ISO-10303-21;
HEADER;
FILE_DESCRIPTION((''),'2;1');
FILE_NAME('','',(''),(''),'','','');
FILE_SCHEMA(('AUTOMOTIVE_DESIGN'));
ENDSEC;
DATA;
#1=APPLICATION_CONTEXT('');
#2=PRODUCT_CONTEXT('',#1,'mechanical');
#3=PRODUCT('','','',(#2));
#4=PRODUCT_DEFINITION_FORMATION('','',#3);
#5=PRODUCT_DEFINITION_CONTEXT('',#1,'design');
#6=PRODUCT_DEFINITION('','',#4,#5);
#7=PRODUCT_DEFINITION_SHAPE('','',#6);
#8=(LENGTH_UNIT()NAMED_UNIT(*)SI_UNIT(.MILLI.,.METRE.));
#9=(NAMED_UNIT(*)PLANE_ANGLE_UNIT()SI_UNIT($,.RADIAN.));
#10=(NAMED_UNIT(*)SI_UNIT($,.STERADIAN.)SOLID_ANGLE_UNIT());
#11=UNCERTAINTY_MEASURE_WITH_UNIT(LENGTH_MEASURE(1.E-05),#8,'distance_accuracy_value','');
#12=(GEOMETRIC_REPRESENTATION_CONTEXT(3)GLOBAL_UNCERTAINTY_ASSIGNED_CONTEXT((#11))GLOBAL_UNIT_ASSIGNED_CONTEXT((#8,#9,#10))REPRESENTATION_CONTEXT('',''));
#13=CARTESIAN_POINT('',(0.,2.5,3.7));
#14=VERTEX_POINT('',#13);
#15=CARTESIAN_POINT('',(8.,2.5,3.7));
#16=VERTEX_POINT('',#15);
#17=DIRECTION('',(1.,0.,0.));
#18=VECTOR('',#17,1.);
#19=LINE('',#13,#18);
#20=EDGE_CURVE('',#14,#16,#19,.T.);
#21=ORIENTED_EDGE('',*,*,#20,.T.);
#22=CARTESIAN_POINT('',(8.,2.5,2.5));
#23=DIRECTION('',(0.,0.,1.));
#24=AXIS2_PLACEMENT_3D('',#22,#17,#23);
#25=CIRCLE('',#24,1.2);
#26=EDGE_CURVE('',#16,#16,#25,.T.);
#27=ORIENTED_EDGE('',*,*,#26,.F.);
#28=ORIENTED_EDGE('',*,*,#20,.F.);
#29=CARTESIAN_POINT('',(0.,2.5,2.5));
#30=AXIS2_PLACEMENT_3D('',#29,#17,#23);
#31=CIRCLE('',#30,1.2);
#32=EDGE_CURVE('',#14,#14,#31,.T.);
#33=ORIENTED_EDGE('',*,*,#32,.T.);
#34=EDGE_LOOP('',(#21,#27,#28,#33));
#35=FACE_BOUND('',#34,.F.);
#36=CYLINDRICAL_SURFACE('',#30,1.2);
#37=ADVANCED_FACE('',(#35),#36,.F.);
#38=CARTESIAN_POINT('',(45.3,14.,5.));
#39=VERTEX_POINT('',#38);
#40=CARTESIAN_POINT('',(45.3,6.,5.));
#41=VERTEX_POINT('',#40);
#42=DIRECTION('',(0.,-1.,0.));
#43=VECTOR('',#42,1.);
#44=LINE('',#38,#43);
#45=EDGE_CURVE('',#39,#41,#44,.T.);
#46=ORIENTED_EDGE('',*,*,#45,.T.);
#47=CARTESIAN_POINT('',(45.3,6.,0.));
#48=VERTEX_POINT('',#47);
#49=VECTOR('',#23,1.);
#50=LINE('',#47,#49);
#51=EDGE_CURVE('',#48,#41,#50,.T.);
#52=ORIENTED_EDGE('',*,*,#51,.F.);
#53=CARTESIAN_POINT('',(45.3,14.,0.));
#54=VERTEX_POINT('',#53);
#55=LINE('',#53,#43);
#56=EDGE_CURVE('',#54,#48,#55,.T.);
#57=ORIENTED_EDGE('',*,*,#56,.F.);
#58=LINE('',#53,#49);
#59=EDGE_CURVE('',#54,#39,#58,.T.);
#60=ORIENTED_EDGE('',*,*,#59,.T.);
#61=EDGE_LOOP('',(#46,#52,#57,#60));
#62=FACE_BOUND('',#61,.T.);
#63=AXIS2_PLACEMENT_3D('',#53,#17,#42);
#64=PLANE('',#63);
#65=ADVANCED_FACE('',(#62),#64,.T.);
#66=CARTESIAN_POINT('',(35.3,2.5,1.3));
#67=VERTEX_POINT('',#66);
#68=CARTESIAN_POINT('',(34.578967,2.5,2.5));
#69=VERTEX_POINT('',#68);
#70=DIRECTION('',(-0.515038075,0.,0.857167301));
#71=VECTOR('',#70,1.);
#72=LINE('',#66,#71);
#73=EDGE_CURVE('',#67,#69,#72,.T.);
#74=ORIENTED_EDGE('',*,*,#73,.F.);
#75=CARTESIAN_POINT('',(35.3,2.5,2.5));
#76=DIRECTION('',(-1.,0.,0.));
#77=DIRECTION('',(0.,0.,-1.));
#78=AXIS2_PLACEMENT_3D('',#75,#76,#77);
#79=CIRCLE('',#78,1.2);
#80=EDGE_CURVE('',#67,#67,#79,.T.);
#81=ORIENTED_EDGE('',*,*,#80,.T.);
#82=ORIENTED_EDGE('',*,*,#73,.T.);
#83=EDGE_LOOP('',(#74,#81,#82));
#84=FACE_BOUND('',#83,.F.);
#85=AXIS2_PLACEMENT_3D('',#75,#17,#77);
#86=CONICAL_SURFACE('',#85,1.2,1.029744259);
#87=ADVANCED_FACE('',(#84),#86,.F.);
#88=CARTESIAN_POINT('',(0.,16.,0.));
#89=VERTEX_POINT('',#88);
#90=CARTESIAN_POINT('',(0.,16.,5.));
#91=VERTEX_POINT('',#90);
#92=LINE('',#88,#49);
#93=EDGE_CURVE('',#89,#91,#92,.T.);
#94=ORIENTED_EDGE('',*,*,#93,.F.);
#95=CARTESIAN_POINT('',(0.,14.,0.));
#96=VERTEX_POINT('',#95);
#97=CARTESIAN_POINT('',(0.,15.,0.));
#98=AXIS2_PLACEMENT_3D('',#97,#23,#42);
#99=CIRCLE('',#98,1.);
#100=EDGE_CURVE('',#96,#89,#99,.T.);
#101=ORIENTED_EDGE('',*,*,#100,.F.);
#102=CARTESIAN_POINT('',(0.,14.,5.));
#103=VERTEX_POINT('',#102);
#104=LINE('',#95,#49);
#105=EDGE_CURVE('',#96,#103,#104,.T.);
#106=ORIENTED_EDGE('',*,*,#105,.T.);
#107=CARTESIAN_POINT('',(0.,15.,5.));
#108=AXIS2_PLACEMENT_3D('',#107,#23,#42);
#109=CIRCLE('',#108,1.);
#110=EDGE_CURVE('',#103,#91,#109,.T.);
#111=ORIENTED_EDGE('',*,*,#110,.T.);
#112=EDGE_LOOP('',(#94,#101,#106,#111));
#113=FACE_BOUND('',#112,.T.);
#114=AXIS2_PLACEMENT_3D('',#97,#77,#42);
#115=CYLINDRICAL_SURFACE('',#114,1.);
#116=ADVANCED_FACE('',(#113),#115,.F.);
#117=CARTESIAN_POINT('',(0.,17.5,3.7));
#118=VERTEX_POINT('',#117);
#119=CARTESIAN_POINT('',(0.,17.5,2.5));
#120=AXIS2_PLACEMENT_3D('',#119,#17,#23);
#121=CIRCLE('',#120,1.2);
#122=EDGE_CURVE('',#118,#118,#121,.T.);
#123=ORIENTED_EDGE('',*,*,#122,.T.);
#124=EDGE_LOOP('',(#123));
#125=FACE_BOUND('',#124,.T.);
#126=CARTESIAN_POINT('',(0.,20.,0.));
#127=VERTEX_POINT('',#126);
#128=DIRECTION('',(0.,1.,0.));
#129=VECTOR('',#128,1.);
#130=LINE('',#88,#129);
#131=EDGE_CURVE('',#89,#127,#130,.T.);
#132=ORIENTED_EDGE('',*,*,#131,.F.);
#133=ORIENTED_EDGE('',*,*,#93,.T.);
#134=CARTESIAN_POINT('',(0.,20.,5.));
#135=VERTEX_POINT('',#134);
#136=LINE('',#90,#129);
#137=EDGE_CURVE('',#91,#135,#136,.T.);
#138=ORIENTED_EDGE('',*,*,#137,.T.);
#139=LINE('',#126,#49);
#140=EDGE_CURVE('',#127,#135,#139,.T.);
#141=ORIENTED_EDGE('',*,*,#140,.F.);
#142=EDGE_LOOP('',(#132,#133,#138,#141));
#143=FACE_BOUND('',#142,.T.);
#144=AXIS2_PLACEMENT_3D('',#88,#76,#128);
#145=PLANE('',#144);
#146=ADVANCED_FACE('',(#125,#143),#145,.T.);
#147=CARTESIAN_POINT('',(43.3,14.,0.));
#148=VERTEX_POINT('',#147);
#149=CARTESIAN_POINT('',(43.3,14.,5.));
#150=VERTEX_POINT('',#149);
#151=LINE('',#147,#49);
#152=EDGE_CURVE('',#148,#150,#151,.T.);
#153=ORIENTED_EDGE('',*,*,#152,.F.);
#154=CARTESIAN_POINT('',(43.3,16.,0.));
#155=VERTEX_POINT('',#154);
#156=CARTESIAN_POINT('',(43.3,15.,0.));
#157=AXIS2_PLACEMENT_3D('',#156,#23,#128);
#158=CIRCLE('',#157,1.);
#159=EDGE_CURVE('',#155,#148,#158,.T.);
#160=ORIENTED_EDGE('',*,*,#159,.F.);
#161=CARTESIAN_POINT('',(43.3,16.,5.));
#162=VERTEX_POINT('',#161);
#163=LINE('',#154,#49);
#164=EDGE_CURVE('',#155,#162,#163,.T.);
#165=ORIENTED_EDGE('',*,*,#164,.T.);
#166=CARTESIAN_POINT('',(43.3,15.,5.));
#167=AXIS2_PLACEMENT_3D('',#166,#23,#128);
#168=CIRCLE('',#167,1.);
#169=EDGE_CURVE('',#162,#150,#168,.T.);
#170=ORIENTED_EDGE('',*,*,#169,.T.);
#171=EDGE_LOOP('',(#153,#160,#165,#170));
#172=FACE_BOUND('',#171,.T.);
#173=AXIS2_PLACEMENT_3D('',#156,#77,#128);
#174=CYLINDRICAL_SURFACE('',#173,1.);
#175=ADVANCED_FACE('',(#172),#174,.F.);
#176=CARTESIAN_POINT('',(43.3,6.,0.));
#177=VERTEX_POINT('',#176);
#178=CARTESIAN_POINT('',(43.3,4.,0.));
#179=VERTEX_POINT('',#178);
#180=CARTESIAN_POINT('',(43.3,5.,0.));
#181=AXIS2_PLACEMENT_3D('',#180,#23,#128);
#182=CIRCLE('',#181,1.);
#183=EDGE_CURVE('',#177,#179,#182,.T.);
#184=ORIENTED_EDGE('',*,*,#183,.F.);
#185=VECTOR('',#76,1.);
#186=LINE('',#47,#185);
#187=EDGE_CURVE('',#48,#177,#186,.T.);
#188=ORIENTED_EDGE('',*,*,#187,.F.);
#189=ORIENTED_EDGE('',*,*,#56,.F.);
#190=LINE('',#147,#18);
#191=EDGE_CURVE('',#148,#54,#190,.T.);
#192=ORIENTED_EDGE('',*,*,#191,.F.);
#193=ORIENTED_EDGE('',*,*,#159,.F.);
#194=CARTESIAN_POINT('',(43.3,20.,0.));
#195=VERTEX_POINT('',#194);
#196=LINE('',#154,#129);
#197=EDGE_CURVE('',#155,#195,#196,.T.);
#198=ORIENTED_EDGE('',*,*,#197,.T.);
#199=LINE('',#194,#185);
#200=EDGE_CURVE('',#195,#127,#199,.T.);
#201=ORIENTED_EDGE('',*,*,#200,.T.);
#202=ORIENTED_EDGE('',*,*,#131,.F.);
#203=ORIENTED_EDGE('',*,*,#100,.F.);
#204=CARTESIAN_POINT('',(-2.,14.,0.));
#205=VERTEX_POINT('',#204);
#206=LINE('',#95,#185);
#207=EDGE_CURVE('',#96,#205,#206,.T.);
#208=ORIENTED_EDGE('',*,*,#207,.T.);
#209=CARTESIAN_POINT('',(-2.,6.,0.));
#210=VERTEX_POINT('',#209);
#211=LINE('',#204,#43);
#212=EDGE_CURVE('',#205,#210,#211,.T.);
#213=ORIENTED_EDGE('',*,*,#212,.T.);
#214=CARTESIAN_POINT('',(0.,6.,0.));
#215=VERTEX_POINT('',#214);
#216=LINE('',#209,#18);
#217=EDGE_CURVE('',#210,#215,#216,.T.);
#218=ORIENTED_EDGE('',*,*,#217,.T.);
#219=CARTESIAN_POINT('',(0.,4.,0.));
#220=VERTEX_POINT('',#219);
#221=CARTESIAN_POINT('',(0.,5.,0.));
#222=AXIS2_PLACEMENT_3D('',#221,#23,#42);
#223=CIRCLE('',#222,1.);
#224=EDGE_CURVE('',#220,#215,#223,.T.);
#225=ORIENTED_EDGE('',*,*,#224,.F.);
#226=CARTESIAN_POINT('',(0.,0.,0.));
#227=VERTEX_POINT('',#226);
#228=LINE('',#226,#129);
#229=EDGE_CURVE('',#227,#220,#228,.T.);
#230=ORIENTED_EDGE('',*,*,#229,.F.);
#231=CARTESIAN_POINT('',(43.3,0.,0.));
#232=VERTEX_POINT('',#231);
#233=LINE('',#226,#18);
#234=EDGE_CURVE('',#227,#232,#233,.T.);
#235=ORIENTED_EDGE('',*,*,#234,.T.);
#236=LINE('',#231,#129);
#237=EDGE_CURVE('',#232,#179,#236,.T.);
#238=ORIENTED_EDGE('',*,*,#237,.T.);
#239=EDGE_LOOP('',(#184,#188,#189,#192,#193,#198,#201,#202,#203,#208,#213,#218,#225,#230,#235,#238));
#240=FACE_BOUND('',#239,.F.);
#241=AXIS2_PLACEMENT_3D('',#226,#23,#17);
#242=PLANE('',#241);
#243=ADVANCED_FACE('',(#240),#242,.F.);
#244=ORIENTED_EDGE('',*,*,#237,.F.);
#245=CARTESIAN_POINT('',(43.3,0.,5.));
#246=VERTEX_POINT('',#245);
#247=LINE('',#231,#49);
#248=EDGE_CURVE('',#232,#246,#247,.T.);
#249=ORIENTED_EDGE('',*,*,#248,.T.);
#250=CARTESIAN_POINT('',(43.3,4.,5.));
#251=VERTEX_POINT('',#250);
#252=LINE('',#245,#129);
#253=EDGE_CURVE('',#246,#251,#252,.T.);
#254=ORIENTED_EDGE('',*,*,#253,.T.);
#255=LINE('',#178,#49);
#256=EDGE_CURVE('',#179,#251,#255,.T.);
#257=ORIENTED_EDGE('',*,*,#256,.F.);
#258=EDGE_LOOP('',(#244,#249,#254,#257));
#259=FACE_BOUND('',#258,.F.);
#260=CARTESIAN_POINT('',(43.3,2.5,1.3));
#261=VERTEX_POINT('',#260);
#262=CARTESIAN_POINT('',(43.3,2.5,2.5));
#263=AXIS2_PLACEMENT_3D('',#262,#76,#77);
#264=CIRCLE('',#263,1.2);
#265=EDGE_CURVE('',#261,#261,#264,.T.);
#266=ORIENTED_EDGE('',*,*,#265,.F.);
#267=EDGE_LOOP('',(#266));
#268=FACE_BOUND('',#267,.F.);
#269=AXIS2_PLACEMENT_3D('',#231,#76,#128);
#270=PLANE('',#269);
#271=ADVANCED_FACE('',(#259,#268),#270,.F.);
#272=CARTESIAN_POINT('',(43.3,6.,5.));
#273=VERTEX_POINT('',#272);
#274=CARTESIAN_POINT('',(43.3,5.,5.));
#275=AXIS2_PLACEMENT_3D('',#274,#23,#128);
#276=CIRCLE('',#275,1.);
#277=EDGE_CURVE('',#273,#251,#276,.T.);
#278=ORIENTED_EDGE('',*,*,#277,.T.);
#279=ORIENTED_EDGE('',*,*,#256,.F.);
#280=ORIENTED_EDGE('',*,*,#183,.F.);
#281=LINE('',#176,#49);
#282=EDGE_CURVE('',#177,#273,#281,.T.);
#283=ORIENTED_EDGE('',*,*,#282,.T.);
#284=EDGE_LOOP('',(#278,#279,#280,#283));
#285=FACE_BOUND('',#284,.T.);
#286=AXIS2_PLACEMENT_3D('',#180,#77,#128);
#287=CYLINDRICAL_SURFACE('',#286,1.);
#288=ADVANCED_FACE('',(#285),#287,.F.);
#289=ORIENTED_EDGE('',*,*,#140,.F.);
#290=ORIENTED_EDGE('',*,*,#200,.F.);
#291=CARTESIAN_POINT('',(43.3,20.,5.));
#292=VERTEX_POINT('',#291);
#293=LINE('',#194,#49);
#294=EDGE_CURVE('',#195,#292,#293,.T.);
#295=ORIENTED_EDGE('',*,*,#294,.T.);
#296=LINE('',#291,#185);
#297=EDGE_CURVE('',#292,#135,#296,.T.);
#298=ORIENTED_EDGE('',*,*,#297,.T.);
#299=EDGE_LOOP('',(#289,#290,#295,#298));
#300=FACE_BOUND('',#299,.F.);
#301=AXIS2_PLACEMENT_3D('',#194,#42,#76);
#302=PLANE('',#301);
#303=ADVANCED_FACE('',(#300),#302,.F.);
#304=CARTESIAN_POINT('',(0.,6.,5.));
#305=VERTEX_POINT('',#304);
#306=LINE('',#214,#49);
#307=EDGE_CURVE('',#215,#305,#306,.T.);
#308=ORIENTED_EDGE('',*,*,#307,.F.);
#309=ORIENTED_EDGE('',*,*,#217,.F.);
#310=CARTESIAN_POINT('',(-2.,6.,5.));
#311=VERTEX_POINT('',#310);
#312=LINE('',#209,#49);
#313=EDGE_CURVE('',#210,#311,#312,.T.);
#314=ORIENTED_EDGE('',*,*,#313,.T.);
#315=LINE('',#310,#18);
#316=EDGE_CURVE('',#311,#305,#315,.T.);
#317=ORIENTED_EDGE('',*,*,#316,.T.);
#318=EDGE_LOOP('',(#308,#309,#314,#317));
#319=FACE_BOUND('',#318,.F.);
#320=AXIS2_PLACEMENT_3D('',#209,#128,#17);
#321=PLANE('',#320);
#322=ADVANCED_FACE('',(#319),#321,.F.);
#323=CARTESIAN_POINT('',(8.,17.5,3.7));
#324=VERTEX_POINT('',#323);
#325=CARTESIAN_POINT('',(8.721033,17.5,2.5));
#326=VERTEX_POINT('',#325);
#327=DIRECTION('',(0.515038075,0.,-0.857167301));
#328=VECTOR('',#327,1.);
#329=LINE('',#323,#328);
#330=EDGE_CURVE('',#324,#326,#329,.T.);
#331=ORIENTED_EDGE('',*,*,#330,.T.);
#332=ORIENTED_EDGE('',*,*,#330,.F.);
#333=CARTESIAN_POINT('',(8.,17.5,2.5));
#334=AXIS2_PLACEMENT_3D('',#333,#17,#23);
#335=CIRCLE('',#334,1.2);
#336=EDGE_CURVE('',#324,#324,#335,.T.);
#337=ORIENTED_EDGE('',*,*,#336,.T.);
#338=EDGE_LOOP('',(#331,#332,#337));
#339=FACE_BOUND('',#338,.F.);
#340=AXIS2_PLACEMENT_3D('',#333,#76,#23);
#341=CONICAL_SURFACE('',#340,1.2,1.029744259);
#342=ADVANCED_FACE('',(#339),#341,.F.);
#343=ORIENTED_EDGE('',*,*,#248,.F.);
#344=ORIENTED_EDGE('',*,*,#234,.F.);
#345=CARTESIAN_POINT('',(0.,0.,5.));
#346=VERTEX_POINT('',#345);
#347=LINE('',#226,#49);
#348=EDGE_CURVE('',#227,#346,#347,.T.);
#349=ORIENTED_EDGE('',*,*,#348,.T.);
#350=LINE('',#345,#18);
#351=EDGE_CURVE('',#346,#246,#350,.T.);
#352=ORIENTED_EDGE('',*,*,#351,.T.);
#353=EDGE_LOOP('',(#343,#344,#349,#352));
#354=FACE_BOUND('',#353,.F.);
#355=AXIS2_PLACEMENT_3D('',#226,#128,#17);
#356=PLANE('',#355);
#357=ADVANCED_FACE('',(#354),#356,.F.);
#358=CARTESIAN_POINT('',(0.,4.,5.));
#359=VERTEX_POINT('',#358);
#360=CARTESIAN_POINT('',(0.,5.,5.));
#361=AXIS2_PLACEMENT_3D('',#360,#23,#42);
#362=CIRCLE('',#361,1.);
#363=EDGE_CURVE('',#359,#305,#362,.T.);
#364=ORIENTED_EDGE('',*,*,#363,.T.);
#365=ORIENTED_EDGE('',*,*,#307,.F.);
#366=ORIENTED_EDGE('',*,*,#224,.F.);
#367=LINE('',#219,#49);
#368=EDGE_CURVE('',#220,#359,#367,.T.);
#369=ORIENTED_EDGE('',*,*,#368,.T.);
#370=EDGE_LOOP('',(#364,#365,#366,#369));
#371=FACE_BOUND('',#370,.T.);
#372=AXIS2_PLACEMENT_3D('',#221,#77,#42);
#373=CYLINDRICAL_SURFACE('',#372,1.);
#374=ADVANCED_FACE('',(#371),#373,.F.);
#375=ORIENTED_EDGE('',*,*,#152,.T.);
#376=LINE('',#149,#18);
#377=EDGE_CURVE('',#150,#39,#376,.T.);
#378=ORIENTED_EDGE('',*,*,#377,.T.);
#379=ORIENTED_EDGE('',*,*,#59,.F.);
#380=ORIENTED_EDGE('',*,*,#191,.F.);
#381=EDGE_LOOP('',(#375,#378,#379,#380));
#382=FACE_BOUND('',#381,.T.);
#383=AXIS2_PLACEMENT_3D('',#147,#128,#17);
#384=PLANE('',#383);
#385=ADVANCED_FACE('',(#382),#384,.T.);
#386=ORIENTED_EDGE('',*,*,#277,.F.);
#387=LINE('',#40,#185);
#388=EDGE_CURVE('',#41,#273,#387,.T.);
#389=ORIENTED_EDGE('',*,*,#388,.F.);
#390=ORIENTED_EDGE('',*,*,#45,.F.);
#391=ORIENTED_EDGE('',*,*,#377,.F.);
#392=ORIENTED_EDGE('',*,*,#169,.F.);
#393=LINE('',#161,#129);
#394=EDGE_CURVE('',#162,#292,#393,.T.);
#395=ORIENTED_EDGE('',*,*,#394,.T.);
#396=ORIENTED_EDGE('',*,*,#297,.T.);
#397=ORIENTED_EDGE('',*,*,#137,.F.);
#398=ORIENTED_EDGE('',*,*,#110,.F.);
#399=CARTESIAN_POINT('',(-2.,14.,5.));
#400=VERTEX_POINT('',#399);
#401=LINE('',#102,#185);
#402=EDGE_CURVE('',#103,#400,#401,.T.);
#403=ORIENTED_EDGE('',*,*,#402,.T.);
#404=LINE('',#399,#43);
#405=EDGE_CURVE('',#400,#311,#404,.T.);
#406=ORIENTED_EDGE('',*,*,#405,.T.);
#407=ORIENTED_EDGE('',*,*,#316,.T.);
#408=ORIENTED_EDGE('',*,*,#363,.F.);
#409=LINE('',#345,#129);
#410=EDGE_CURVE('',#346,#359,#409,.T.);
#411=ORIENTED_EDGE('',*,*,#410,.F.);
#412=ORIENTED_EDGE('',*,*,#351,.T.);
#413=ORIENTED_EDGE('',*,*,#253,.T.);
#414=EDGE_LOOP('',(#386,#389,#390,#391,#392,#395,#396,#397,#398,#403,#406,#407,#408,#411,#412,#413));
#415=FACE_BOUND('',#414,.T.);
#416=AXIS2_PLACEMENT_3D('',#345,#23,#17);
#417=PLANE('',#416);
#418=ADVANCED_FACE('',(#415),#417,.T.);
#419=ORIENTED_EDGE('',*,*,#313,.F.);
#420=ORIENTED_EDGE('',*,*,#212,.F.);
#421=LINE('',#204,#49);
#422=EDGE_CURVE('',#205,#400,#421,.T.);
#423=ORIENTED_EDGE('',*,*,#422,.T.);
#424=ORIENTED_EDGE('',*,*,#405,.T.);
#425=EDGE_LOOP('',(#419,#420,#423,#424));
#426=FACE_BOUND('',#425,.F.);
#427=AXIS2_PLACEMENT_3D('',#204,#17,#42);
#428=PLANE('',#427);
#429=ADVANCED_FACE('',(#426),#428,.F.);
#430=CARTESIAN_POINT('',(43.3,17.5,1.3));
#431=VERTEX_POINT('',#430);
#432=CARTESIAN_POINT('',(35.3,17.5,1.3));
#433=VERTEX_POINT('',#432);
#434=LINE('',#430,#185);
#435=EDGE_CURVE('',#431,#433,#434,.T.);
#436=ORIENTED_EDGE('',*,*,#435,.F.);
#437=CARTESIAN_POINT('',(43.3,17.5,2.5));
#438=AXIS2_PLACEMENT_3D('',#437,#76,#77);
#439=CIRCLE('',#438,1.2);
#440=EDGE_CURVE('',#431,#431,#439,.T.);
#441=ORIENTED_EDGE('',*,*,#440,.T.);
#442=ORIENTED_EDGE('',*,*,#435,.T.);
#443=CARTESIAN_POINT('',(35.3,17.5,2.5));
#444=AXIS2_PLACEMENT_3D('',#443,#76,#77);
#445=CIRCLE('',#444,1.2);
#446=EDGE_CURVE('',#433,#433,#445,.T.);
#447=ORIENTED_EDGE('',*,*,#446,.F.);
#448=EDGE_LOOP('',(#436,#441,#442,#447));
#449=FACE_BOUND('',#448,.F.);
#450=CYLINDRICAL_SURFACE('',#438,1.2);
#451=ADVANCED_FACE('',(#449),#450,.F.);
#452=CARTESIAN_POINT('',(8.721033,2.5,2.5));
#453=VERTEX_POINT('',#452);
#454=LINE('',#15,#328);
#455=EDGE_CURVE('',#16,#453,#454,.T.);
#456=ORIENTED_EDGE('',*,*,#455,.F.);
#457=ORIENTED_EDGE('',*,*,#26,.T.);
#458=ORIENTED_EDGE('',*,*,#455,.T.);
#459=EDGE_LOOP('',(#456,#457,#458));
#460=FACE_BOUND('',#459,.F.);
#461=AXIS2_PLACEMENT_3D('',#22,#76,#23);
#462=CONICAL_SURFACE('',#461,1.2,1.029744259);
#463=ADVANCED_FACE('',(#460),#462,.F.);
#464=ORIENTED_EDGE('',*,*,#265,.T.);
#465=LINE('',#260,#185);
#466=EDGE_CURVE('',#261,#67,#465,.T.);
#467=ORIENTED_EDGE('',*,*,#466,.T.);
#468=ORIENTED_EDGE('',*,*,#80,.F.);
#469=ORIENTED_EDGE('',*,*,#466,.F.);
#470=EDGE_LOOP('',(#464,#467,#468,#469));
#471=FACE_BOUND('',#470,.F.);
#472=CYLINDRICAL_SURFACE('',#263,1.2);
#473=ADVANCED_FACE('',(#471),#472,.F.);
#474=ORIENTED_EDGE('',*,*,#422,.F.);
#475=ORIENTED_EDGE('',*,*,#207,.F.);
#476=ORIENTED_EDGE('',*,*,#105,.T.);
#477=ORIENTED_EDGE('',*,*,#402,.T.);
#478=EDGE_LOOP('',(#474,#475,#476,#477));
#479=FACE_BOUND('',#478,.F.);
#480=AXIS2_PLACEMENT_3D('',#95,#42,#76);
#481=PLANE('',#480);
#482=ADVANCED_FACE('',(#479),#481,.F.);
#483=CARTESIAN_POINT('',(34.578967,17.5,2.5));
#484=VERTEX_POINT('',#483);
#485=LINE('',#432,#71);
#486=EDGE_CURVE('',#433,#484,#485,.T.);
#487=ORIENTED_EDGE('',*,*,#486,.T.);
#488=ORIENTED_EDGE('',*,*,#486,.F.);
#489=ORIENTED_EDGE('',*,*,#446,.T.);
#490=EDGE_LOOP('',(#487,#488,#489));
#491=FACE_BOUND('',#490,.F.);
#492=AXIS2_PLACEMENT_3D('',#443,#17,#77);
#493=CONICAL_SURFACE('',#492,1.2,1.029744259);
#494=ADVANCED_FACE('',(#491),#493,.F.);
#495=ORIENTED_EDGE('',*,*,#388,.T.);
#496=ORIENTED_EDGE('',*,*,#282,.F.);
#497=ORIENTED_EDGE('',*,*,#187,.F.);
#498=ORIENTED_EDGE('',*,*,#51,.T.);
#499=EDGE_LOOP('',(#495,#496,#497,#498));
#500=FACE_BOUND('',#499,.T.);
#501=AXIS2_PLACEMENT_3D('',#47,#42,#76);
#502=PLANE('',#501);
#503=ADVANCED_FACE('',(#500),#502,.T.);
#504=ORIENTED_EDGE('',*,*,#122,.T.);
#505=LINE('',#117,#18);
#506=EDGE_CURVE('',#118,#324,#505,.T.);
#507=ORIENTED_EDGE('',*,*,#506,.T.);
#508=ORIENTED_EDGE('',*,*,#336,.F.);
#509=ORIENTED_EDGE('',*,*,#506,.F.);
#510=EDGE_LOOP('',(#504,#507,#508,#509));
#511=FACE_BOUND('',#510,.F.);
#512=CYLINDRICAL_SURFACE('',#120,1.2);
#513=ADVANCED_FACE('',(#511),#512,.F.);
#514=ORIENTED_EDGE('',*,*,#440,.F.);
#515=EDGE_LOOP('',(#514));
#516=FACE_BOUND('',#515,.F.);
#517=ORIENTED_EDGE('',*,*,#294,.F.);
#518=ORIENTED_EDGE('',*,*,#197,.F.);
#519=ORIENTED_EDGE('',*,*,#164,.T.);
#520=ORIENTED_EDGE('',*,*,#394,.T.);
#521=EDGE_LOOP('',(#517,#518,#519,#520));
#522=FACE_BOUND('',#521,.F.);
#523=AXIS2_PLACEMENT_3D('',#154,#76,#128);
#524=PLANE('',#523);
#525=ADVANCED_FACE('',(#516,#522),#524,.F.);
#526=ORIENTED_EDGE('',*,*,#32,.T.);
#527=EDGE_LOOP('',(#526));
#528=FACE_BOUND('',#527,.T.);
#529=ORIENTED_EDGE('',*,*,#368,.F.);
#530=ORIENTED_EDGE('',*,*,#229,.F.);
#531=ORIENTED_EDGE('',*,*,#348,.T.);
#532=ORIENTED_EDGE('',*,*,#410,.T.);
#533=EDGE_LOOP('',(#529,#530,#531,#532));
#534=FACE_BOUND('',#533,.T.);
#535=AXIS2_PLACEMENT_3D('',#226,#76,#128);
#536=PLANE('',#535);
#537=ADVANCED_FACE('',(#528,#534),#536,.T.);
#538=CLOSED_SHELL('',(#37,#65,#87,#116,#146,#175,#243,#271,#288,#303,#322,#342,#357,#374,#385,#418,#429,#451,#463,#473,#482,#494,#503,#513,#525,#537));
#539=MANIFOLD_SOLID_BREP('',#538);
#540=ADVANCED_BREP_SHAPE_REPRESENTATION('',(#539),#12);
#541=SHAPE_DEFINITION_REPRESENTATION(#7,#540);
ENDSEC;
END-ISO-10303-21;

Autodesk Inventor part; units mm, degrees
ref_plane "YZ Plane" through (0, 0, 0) normal (1, 0, 0) x (0, 1, 0)
ref_plane "XZ Plane" through (0, 0, 0) normal (0, 1, 0) x (-1, 0, 0)
ref_plane "XY Plane" through (0, 0, 0) normal (0, 0, 1) x (1, 0, 0)
sketch "スケッチ1" plane through (0, 0, 0) normal (0, 0, 1) x (1, 0, 0)
  line L0 (0, 0) -> (43.3, 0)
  line L1 (43.3, 20) -> (0, 20)
  line L2 (0, 10) -> (43.3, 10) construction
  line L3 (43.3, 14) -> (45.3, 14)
  line L4 (45.3, 14) -> (45.3, 6)
  line L5 (45.3, 6) -> (43.3, 6)
  arc A0 (43.3, 16) -> (43.3, 14) centre (43.3, 15) ccw
  arc A1 (43.3, 6) -> (43.3, 4) centre (43.3, 5) ccw
  line L6 (43.3, 0) -> (43.3, 4)
  line L7 (43.3, 16) -> (43.3, 20)
  line L8 (21.65, 20) -> (21.65, 0) construction
  line L9 (0, 14) -> (-2, 14)
  line L10 (-2, 14) -> (-2, 6)
  line L11 (-2, 6) -> (0, 6)
  arc A2 (0, 14) -> (0, 16) centre (0, 15) ccw
  arc A3 (0, 4) -> (0, 6) centre (0, 5) ccw
  line L12 (0, 0) -> (0, 4)
  line L13 (0, 16) -> (0, 20)
  dimension "d0" = 43.3
  dimension "d1" = 20
  dimension "d5" = 8
  dimension "d6" = 2
extrude "押し出し1" add sketch "スケッチ1" along normal blind 5
sketch "スケッチ3" plane through (43.3, 0, 0) normal (1, 0, 0) x (0, 0, -1)
  line L0 (0, 0) -> (-5, 0) projected
  line L1 (-2.5, 0) -> (-2.5, 20) construction
  line L2 (0, 20) -> (-5, 20) projected
  line L3 (-2.5, 10) -> (0, 10) construction
  line L4 (0, 6) -> (0, 14) projected
  point P0 (-2.5, 17.5)
  point P1 (-2.5, 2.5)
  dimension "d7" = 15
hole "穴1" at (43.3, 17.5, 2.5) at (43.3, 2.5, 2.5) direction (-1, 0, 0) diameter 2.4 depth 8 tip angle 118
sketch "スケッチ4" plane through (0, 16, 0) normal (-1, 0, 0) x (0, 0, 1)
  circle A0 centre (2.5, 1.5) radius 1.2 projected
  circle A1 centre (2.5, -13.5) radius 1.2 projected
  circle A2 centre (2.5, -13.5) radius 1.2 projected
  point P0 (0, -16)
hole "穴2" at (0, 17.5, 2.5) at (0, 2.5, 2.5) direction (1, 0, 0) diameter 2.4 depth 8 tip angle 118
properties part number "頭_メインフレームセンター２" material "アセタール樹脂、黒"
